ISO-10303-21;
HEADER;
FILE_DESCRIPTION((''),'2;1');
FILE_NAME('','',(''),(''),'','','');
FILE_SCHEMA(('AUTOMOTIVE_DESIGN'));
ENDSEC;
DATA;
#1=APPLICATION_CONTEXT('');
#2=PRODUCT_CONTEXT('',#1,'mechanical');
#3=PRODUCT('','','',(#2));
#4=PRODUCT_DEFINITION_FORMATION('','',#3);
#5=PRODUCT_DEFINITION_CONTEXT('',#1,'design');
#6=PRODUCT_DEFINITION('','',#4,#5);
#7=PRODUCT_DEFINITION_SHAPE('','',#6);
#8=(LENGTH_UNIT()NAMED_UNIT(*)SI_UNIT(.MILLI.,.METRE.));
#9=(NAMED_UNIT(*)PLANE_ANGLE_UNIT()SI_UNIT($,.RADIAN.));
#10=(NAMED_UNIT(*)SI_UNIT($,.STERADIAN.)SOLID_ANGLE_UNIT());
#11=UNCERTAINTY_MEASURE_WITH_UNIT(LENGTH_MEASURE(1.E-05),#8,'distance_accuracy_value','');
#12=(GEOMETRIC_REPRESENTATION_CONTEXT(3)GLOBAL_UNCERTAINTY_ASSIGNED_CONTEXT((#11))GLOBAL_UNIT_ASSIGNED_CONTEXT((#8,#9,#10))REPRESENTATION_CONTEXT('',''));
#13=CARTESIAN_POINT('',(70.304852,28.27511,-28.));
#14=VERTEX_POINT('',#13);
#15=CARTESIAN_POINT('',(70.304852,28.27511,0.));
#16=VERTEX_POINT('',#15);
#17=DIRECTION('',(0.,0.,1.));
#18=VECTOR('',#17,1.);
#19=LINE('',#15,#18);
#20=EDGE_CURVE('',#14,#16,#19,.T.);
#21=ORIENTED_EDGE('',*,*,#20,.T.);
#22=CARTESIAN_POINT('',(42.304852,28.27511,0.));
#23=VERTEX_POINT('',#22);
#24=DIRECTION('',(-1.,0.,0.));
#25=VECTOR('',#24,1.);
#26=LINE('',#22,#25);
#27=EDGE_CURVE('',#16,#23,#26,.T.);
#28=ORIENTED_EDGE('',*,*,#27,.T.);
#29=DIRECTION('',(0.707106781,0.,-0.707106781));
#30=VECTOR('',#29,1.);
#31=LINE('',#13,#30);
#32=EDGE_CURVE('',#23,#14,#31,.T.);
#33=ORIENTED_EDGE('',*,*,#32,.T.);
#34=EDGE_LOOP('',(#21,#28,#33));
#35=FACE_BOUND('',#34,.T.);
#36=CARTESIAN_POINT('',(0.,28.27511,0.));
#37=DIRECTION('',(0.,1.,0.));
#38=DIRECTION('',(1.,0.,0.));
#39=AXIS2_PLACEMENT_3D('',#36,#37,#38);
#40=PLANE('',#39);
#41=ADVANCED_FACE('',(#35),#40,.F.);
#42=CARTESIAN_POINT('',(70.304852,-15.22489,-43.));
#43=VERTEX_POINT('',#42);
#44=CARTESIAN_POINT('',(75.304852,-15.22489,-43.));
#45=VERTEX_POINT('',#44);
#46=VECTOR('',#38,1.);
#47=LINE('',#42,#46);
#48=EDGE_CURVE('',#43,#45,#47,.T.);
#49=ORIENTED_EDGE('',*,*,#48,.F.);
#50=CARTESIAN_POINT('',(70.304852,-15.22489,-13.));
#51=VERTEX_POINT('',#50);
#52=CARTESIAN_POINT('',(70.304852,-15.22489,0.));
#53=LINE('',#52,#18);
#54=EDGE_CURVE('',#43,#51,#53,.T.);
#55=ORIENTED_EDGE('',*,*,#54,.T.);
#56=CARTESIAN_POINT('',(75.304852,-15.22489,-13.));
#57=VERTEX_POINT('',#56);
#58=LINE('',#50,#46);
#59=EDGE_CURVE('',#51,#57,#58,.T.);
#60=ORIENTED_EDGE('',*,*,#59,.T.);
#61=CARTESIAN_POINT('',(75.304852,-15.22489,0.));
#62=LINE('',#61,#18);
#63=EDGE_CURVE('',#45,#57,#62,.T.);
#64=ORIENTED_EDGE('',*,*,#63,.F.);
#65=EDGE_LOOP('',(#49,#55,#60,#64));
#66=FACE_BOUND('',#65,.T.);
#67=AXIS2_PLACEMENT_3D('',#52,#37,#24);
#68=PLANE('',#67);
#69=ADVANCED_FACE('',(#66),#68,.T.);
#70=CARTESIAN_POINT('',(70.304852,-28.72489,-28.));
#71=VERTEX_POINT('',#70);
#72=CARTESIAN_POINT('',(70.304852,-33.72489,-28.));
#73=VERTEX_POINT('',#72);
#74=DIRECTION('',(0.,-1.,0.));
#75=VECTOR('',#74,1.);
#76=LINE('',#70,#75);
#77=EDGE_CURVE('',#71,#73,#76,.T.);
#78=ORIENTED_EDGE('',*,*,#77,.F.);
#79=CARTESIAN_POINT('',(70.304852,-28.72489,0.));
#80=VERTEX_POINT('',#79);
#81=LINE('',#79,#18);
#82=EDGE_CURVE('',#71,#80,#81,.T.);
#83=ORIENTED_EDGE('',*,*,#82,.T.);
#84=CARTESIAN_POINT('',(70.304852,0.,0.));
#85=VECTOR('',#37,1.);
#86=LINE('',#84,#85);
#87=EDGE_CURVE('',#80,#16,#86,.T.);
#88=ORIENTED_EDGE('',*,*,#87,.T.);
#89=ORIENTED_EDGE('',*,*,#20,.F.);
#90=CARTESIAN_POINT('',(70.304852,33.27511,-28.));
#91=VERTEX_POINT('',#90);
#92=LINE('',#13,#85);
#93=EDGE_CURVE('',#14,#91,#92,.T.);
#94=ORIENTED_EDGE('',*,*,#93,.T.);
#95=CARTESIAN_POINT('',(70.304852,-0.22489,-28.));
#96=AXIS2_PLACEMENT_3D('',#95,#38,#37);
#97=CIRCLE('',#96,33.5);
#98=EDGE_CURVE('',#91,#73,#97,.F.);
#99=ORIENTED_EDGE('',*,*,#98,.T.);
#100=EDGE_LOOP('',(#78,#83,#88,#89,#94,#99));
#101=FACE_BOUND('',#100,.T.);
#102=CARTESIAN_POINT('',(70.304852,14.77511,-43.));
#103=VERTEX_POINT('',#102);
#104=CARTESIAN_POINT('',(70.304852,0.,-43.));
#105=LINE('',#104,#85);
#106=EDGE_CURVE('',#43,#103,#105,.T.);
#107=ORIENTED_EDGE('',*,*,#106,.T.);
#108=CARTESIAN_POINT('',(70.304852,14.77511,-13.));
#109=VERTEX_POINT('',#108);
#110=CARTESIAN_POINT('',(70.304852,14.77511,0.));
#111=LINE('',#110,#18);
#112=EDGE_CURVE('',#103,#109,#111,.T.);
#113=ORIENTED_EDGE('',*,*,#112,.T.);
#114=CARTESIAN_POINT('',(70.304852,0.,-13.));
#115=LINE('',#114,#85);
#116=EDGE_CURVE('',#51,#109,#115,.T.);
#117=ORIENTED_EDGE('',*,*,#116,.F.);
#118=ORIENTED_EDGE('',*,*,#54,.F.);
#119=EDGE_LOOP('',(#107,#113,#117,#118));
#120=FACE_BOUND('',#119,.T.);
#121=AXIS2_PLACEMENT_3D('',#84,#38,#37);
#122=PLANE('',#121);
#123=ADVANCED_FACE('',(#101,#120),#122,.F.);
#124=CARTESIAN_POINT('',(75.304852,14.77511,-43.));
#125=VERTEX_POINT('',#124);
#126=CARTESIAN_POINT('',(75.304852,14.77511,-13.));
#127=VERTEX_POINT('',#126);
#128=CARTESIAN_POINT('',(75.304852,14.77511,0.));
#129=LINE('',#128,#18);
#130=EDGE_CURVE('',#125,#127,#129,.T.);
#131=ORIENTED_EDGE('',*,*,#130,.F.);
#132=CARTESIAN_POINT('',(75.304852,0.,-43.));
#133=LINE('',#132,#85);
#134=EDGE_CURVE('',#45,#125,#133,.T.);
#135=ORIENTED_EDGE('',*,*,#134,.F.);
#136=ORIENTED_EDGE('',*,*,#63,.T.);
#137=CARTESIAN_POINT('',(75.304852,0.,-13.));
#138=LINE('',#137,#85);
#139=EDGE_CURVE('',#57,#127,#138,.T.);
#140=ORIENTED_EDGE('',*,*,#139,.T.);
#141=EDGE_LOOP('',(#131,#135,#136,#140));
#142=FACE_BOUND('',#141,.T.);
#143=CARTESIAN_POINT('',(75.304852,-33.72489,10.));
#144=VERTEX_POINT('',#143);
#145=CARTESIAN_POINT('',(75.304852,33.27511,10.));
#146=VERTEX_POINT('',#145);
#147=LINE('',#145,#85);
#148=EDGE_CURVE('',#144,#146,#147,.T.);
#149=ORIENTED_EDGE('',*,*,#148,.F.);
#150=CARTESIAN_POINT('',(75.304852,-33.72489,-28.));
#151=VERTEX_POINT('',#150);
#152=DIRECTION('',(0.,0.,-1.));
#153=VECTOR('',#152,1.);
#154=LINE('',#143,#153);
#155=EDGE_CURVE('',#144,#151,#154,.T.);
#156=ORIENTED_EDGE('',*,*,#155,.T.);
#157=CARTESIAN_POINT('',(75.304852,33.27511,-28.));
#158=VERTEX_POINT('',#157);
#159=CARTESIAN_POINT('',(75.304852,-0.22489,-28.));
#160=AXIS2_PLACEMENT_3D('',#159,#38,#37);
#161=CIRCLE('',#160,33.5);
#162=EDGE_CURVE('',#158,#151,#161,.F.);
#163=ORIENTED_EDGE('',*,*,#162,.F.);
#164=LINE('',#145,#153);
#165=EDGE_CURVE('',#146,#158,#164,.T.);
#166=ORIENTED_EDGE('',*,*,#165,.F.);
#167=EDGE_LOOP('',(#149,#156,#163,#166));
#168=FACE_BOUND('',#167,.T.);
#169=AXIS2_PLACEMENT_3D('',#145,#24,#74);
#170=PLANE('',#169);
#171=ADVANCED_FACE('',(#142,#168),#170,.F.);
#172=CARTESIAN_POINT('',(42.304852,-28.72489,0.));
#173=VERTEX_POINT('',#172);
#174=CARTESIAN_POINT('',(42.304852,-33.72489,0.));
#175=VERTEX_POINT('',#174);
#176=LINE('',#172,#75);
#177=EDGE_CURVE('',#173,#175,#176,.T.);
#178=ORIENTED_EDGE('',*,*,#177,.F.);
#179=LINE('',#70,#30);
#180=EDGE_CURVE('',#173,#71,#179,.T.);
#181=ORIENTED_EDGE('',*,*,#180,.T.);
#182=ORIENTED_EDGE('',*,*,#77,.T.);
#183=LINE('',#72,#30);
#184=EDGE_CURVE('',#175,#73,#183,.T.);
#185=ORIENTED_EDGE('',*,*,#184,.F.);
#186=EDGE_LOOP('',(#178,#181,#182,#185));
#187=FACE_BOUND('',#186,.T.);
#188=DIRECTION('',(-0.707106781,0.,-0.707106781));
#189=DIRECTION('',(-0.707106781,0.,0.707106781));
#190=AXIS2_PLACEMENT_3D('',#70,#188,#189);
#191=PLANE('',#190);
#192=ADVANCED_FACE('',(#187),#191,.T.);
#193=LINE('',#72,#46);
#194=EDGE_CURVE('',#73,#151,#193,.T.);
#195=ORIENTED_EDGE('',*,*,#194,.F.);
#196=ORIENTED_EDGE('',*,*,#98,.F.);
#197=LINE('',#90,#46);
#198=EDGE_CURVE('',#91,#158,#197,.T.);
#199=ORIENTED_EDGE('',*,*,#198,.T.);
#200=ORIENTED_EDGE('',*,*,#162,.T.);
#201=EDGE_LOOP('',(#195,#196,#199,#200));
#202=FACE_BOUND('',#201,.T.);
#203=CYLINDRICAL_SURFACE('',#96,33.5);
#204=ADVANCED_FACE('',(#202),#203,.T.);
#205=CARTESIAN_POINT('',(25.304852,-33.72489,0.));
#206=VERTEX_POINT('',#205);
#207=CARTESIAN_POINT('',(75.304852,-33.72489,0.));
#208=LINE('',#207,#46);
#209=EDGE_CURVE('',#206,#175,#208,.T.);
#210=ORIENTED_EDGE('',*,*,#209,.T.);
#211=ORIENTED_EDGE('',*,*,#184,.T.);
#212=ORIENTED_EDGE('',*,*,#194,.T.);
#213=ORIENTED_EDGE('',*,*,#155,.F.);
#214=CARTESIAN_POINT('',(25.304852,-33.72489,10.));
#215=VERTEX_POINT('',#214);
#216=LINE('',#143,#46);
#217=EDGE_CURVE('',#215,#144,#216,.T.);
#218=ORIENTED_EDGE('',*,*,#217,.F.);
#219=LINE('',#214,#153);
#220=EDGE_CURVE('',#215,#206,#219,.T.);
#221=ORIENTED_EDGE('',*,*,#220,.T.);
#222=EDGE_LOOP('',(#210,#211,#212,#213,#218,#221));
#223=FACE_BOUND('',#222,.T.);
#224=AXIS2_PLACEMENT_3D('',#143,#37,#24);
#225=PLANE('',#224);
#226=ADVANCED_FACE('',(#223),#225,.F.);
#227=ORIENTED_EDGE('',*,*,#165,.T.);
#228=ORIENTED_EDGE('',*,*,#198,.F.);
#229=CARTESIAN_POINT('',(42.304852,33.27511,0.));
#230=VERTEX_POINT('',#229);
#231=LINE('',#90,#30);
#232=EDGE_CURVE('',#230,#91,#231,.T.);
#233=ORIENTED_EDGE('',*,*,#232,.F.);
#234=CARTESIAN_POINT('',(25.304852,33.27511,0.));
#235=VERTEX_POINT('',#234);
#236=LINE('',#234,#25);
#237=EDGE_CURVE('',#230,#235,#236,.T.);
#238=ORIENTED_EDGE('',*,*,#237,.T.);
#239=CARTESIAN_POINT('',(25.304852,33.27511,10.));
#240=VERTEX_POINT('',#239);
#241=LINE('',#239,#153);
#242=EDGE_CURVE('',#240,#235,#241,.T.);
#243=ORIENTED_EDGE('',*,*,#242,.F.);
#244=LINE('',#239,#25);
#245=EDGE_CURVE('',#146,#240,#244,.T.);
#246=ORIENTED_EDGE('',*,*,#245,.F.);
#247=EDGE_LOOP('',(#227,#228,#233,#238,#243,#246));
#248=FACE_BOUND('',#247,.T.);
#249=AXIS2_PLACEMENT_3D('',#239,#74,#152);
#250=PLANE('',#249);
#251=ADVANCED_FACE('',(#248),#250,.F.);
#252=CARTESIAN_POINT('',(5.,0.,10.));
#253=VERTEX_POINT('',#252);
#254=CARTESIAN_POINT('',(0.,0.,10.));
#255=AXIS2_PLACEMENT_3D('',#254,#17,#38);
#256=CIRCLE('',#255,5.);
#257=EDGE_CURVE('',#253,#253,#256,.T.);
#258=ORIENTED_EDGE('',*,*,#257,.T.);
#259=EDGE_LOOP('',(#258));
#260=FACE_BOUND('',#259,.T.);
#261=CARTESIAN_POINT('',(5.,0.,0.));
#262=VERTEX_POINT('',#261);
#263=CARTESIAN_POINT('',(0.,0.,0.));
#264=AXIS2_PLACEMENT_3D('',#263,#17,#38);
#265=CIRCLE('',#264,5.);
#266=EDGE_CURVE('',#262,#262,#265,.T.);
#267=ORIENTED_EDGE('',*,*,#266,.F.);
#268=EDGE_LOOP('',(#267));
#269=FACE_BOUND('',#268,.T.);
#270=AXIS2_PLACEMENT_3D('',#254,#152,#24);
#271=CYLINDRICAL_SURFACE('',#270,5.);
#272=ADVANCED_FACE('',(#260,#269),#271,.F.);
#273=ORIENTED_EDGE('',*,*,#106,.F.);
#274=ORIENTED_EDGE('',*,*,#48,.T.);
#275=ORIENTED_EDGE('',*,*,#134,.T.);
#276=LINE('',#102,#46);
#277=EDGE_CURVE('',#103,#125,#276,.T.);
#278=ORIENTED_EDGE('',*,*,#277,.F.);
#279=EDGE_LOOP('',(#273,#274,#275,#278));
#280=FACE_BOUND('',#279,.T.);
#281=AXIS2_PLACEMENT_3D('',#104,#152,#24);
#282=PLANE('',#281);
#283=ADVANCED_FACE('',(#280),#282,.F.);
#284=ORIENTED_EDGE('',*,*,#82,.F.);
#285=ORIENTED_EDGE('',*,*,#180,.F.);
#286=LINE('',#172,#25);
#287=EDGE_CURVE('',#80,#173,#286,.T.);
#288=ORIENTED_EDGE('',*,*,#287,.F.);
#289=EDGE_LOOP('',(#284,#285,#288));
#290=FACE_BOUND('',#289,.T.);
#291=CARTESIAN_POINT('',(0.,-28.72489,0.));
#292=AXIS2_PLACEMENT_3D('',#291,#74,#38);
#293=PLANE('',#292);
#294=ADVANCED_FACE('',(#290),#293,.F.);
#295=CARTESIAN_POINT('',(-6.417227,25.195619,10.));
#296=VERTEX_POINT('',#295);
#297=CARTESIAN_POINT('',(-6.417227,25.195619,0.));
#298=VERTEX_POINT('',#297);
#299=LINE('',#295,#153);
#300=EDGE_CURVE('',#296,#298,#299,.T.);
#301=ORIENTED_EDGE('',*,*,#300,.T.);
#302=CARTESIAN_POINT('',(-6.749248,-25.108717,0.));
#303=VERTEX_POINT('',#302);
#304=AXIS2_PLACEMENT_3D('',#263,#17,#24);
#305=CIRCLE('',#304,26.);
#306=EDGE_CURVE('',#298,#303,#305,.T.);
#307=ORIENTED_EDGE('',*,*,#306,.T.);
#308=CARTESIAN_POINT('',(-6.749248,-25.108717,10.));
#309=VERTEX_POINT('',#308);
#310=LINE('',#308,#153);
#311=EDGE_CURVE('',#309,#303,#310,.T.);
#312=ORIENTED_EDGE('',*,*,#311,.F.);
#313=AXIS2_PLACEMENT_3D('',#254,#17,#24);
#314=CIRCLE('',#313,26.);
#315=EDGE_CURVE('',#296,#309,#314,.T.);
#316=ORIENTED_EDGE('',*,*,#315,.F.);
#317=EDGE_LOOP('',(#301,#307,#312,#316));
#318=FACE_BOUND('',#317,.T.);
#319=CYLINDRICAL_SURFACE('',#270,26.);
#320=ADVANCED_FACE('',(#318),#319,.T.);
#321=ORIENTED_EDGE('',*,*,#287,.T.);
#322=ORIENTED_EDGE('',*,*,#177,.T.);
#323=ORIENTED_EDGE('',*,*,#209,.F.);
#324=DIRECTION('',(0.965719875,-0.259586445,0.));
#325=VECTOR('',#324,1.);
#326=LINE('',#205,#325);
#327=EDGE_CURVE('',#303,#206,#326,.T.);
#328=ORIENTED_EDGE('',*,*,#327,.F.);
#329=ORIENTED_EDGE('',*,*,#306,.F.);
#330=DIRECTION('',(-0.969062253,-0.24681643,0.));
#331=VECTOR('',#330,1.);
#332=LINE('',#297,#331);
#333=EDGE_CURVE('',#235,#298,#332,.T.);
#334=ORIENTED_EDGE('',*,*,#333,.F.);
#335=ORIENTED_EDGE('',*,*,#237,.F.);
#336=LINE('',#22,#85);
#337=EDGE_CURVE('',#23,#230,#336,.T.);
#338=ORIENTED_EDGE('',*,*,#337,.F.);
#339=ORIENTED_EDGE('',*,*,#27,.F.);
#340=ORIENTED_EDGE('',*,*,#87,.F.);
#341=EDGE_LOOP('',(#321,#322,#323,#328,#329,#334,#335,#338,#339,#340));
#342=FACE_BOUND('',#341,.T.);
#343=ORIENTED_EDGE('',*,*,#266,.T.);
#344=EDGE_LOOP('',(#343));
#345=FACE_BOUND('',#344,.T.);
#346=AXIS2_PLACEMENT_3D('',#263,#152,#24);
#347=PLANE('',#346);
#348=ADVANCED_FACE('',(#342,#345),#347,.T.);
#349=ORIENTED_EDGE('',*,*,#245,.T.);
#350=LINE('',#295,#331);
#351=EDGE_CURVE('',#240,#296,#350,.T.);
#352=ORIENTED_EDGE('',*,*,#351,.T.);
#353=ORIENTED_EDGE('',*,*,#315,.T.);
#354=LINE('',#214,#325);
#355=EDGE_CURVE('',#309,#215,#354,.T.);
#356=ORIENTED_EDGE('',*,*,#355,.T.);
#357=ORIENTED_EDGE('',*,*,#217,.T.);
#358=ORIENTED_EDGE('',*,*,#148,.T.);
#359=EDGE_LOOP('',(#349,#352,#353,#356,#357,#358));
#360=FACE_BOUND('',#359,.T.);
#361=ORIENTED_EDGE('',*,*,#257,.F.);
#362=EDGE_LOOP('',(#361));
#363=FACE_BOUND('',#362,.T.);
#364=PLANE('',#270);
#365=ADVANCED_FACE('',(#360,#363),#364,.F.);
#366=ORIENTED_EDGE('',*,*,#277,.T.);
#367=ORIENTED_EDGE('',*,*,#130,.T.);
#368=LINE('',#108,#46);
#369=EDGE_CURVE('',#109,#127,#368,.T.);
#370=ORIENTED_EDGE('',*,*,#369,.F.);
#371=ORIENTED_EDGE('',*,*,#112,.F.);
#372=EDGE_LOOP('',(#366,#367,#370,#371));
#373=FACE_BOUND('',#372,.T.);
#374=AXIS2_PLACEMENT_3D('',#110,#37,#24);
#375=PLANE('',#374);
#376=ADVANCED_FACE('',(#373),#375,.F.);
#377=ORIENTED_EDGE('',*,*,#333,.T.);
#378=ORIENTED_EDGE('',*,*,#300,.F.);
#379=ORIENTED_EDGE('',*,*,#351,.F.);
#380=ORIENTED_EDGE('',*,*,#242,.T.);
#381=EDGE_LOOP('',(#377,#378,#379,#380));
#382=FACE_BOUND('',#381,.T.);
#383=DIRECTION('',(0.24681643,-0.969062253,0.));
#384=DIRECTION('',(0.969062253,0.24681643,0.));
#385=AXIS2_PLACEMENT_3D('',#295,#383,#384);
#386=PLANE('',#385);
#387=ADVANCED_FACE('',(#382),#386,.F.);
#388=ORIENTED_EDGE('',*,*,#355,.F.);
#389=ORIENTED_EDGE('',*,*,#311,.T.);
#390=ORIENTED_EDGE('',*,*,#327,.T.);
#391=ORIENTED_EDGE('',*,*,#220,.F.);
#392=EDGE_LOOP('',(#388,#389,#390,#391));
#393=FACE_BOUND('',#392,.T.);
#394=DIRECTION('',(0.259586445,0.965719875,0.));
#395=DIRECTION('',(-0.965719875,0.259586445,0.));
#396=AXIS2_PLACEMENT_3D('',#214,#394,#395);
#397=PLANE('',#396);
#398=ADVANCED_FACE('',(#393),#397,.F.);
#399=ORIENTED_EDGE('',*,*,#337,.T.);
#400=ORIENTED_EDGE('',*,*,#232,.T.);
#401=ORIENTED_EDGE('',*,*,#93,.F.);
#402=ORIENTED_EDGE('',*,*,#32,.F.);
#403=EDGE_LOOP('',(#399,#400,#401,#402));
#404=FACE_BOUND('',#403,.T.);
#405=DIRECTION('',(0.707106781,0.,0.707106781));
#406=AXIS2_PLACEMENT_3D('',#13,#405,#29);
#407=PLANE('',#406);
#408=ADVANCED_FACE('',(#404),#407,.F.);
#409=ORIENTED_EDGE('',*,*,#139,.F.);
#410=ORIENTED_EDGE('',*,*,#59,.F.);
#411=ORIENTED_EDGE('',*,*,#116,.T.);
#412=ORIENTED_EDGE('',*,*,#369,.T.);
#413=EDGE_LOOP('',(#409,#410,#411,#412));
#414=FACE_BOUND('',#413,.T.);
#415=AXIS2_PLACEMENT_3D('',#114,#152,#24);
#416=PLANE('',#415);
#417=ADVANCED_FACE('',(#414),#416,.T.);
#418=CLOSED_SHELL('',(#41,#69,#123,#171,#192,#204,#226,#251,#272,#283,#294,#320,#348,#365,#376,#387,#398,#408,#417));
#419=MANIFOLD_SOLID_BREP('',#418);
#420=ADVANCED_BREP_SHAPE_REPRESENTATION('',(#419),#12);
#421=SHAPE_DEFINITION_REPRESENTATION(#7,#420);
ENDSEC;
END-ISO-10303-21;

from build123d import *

# Parameters (mm, degrees)
SKETCH1_R           = 5
BOSS_EXTRUDE1_DEPTH = 10
SKETCH2_W           = 30
SKETCH2_H           = 30
BOSS_EXTRUDE2_DEPTH = 5
BOSS_EXTRUDE3_DEPTH = 5


with BuildPart() as part:
    # Sketch1 → Boss-Extrude1 (new body)
    with BuildSketch(Plane.XY):
        with BuildLine():
            Line((75.304851692, -33.724889915), (25.304851692, -33.724889915))
            Line((25.304851692, -33.724889915), (-6.749247564, -25.10871676))
            ThreePointArc((-6.749247564, -25.10871676), (-25.999433698, 0.171602352), (-6.417227169, 25.195618577))
            Line((-6.417227169, 25.195618577), (25.304851692, 33.275110085))
            Line((25.304851692, 33.275110085), (75.304851692, 33.275110085))
            Line((75.304851692, 33.275110085), (75.304851692, -33.724889915))
        make_face()
        Circle(SKETCH1_R, mode=Mode.SUBTRACT)
    extrude(amount=BOSS_EXTRUDE1_DEPTH)

    # Sketch2 → Boss-Extrude2 (add)
    with BuildSketch(Plane(origin=(75.304851692, 0, 0), x_dir=(0, 0, -1), z_dir=(1, 0, 0))):
        with BuildLine():
            Line((28, 33.275110085), (0, 33.275110085))
            Line((0, 33.275110085), (0, -33.724889915))
            Line((0, -33.724889915), (28, -33.724889915))
            ThreePointArc((28, -33.724889915), (61.5, -0.224889915), (28, 33.275110085))
        make_face()
        with Locations((28, -0.224889915)):
            Rectangle(SKETCH2_W, SKETCH2_H, mode=Mode.SUBTRACT)
    extrude(amount=-BOSS_EXTRUDE2_DEPTH)

    # Sketch3 → Boss-Extrude3 (add)
    with BuildSketch(Plane.XZ.offset(33.724889915)):
        Polygon((70.304851692, -28), (42.304851692, 0), (70.304851692, 0), align=None)
    boss_extrude3 = extrude(amount=-BOSS_EXTRUDE3_DEPTH)

    # Mirror1: Boss-Extrude3 across plane
    add(boss_extrude3.mirror(Plane.ZX.offset(-0.224889915)))


solid = part.part
